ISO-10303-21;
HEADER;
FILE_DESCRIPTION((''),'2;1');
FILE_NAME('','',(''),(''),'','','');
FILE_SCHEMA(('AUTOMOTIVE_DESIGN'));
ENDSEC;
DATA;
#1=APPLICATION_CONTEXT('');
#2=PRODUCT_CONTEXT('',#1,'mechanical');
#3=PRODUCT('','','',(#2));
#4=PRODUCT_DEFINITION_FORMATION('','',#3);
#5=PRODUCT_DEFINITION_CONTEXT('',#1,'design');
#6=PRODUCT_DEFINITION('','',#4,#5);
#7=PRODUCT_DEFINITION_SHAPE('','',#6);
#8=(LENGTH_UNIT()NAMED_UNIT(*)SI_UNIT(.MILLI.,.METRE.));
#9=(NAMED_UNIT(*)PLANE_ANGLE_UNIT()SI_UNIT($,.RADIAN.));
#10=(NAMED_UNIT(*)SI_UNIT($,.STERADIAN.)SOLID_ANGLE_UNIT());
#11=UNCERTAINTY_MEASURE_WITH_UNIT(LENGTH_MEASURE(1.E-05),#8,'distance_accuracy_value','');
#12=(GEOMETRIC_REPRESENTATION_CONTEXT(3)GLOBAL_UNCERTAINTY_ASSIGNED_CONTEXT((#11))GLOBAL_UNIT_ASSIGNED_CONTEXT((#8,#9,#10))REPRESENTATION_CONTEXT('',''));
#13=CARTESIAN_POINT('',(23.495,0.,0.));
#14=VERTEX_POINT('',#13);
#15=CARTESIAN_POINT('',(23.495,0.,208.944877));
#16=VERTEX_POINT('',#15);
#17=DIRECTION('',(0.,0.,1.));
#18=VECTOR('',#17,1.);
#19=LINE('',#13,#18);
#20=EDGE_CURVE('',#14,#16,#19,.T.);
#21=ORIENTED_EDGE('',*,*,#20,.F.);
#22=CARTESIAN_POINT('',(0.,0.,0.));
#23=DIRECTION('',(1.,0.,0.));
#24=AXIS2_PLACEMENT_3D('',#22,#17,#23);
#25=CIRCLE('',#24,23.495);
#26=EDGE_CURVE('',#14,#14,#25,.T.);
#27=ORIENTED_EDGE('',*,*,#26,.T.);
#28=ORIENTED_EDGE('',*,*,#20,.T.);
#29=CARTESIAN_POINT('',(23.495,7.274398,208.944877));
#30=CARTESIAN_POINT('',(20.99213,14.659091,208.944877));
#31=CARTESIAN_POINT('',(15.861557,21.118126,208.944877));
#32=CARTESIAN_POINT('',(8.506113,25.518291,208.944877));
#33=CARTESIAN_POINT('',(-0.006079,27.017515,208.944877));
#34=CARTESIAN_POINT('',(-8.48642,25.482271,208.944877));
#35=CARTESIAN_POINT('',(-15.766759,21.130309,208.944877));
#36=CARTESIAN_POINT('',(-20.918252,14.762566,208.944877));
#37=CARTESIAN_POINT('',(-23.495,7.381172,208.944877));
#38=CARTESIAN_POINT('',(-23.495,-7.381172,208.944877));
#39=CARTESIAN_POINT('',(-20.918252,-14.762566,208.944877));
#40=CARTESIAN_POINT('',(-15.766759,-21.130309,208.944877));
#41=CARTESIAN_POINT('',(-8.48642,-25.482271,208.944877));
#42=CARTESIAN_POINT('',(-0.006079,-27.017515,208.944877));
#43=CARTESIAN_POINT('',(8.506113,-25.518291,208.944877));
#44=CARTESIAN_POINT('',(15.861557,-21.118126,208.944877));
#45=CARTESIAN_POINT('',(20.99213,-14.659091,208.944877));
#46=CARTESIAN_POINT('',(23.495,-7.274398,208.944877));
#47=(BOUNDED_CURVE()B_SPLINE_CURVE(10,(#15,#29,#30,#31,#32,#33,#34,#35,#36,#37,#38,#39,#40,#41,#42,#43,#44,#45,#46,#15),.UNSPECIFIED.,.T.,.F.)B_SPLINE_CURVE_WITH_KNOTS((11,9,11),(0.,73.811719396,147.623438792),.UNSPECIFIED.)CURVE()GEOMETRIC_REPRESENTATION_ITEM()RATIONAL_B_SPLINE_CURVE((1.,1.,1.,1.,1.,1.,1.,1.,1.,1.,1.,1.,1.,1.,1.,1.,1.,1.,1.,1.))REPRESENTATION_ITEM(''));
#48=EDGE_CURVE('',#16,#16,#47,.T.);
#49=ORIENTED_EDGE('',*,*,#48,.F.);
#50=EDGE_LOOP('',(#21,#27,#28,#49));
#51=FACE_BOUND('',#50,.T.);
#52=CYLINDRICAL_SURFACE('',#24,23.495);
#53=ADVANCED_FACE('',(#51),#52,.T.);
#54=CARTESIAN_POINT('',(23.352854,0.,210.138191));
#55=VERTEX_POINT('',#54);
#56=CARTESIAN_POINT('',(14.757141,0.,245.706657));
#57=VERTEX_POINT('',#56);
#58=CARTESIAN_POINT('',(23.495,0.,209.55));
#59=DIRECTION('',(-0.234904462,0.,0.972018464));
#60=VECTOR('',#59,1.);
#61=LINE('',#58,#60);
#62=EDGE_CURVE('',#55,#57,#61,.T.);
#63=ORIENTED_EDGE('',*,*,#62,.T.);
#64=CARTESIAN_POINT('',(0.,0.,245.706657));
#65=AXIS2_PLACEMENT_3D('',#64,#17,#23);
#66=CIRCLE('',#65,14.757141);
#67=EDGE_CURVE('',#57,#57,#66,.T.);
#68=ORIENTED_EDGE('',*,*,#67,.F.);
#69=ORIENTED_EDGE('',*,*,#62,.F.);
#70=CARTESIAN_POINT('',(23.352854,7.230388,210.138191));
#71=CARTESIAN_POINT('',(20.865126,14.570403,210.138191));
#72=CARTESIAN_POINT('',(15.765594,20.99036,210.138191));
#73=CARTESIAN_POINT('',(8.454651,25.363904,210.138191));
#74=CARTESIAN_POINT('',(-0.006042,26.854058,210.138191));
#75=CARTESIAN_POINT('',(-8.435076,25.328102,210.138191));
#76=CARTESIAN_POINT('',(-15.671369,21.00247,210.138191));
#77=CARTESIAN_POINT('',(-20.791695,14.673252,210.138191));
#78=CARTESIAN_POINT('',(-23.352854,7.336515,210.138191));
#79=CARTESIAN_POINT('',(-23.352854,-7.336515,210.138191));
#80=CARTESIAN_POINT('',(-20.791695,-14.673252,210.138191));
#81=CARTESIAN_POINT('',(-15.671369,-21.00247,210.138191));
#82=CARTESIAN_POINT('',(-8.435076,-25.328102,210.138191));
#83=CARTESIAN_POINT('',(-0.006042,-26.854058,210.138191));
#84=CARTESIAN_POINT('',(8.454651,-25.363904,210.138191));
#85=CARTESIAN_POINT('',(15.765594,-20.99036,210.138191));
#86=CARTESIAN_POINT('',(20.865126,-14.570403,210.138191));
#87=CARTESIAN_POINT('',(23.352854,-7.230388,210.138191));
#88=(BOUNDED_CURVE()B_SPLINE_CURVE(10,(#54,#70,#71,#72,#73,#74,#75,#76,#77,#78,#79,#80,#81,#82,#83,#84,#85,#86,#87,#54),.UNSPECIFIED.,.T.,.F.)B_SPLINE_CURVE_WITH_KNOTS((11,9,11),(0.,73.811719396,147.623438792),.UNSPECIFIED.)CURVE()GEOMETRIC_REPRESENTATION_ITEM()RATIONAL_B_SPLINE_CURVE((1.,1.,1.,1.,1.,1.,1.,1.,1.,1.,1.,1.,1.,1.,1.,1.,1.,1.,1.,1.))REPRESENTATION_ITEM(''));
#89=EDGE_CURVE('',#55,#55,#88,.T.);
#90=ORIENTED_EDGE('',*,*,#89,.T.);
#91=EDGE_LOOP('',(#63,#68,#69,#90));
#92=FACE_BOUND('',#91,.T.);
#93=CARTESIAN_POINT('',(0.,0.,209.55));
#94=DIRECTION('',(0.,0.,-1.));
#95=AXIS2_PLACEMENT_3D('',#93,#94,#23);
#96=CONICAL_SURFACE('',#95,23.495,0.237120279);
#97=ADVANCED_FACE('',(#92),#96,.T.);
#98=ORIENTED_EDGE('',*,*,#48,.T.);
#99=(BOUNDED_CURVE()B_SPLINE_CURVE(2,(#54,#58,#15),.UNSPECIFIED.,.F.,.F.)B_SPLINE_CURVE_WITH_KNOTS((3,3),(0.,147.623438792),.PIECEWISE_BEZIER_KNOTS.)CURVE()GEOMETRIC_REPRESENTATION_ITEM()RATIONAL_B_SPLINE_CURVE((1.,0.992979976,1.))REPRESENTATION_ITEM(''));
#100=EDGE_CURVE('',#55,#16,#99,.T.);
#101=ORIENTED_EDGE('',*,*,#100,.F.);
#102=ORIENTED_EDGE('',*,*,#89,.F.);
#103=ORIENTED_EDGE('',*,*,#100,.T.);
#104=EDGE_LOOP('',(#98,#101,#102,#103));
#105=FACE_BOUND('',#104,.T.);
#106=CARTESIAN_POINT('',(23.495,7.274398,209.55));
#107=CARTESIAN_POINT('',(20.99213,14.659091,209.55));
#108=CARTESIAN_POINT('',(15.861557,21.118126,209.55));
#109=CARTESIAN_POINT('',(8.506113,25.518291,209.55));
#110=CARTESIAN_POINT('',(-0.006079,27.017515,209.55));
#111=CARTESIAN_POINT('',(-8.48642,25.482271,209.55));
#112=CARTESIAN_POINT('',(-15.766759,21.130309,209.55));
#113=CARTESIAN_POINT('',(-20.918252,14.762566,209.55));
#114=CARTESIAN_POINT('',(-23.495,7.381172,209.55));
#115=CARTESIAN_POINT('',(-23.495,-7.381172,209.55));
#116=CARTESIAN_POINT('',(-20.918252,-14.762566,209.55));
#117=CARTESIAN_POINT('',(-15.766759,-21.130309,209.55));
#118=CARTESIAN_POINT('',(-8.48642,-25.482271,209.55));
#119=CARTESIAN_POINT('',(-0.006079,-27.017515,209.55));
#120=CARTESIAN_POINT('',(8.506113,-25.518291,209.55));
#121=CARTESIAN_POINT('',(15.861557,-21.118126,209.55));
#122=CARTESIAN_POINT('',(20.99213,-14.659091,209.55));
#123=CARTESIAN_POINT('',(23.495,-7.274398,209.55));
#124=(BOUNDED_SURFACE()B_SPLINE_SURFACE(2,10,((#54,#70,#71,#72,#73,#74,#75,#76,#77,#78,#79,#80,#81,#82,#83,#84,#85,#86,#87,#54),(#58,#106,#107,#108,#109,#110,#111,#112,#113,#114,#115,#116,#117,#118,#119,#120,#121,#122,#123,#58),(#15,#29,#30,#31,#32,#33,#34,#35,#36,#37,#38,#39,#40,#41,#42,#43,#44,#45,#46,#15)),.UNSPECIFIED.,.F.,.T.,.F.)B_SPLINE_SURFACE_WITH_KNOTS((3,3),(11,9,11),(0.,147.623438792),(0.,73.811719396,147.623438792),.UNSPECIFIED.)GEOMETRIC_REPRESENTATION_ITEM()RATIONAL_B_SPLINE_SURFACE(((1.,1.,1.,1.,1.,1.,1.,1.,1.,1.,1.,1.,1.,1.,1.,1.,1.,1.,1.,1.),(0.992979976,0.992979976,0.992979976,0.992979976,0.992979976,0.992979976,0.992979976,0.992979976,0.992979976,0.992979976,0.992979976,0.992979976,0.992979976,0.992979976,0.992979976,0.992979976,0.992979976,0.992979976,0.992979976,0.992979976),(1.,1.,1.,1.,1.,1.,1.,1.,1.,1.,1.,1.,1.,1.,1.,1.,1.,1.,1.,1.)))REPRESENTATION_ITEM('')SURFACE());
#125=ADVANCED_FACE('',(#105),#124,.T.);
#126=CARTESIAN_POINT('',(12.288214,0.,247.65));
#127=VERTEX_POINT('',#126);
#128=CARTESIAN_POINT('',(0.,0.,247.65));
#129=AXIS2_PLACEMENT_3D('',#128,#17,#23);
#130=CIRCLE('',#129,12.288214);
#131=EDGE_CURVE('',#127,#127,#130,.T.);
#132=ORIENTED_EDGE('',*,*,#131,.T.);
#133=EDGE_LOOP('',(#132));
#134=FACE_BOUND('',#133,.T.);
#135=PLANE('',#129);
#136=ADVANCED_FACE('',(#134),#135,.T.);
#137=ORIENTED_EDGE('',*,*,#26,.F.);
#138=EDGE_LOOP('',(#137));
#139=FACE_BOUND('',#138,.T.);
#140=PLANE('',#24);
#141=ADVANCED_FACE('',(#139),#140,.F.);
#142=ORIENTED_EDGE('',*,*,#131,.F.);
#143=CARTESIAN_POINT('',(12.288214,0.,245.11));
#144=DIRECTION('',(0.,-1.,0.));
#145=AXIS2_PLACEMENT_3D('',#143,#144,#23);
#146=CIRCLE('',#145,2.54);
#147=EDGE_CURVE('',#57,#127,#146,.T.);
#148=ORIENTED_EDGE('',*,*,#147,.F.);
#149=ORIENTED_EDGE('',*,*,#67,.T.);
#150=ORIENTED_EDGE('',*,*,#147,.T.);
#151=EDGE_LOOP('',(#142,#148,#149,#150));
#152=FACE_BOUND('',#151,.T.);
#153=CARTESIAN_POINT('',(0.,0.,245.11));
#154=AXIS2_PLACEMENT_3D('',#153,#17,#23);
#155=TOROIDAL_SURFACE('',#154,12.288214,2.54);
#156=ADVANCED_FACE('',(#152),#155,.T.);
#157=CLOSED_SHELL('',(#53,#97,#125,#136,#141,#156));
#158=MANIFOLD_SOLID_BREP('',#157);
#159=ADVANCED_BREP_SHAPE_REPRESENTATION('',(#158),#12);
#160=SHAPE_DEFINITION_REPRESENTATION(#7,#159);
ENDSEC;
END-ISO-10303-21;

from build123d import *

# Parameters (mm, degrees)
F2_R = 2.54
F3_R = 5.08


with BuildPart() as f1:
    # F0 (on Front) → F1 (revolve)
    with BuildSketch(Plane.XZ):
        Polygon((0, 247.65), (0, 0), (23.495, 0), (23.495, 209.55), (14.2875, 247.65), align=None)
    revolve(axis=Axis((0, 0, 5.152837), (0, 0, 1)))

    # F2
    f2_edges = [f1.edges().sort_by_distance(p)[0] for p in [
        (-14.2875, 0, 247.65),
    ]]
    fillet(f2_edges, radius=F2_R)

    # F3
    f3_edges = [f1.edges().sort_by_distance(p)[0] for p in [
        (-23.495, 0, 209.55),
    ]]
    fillet(f3_edges, radius=F3_R)


solid = f1.part
